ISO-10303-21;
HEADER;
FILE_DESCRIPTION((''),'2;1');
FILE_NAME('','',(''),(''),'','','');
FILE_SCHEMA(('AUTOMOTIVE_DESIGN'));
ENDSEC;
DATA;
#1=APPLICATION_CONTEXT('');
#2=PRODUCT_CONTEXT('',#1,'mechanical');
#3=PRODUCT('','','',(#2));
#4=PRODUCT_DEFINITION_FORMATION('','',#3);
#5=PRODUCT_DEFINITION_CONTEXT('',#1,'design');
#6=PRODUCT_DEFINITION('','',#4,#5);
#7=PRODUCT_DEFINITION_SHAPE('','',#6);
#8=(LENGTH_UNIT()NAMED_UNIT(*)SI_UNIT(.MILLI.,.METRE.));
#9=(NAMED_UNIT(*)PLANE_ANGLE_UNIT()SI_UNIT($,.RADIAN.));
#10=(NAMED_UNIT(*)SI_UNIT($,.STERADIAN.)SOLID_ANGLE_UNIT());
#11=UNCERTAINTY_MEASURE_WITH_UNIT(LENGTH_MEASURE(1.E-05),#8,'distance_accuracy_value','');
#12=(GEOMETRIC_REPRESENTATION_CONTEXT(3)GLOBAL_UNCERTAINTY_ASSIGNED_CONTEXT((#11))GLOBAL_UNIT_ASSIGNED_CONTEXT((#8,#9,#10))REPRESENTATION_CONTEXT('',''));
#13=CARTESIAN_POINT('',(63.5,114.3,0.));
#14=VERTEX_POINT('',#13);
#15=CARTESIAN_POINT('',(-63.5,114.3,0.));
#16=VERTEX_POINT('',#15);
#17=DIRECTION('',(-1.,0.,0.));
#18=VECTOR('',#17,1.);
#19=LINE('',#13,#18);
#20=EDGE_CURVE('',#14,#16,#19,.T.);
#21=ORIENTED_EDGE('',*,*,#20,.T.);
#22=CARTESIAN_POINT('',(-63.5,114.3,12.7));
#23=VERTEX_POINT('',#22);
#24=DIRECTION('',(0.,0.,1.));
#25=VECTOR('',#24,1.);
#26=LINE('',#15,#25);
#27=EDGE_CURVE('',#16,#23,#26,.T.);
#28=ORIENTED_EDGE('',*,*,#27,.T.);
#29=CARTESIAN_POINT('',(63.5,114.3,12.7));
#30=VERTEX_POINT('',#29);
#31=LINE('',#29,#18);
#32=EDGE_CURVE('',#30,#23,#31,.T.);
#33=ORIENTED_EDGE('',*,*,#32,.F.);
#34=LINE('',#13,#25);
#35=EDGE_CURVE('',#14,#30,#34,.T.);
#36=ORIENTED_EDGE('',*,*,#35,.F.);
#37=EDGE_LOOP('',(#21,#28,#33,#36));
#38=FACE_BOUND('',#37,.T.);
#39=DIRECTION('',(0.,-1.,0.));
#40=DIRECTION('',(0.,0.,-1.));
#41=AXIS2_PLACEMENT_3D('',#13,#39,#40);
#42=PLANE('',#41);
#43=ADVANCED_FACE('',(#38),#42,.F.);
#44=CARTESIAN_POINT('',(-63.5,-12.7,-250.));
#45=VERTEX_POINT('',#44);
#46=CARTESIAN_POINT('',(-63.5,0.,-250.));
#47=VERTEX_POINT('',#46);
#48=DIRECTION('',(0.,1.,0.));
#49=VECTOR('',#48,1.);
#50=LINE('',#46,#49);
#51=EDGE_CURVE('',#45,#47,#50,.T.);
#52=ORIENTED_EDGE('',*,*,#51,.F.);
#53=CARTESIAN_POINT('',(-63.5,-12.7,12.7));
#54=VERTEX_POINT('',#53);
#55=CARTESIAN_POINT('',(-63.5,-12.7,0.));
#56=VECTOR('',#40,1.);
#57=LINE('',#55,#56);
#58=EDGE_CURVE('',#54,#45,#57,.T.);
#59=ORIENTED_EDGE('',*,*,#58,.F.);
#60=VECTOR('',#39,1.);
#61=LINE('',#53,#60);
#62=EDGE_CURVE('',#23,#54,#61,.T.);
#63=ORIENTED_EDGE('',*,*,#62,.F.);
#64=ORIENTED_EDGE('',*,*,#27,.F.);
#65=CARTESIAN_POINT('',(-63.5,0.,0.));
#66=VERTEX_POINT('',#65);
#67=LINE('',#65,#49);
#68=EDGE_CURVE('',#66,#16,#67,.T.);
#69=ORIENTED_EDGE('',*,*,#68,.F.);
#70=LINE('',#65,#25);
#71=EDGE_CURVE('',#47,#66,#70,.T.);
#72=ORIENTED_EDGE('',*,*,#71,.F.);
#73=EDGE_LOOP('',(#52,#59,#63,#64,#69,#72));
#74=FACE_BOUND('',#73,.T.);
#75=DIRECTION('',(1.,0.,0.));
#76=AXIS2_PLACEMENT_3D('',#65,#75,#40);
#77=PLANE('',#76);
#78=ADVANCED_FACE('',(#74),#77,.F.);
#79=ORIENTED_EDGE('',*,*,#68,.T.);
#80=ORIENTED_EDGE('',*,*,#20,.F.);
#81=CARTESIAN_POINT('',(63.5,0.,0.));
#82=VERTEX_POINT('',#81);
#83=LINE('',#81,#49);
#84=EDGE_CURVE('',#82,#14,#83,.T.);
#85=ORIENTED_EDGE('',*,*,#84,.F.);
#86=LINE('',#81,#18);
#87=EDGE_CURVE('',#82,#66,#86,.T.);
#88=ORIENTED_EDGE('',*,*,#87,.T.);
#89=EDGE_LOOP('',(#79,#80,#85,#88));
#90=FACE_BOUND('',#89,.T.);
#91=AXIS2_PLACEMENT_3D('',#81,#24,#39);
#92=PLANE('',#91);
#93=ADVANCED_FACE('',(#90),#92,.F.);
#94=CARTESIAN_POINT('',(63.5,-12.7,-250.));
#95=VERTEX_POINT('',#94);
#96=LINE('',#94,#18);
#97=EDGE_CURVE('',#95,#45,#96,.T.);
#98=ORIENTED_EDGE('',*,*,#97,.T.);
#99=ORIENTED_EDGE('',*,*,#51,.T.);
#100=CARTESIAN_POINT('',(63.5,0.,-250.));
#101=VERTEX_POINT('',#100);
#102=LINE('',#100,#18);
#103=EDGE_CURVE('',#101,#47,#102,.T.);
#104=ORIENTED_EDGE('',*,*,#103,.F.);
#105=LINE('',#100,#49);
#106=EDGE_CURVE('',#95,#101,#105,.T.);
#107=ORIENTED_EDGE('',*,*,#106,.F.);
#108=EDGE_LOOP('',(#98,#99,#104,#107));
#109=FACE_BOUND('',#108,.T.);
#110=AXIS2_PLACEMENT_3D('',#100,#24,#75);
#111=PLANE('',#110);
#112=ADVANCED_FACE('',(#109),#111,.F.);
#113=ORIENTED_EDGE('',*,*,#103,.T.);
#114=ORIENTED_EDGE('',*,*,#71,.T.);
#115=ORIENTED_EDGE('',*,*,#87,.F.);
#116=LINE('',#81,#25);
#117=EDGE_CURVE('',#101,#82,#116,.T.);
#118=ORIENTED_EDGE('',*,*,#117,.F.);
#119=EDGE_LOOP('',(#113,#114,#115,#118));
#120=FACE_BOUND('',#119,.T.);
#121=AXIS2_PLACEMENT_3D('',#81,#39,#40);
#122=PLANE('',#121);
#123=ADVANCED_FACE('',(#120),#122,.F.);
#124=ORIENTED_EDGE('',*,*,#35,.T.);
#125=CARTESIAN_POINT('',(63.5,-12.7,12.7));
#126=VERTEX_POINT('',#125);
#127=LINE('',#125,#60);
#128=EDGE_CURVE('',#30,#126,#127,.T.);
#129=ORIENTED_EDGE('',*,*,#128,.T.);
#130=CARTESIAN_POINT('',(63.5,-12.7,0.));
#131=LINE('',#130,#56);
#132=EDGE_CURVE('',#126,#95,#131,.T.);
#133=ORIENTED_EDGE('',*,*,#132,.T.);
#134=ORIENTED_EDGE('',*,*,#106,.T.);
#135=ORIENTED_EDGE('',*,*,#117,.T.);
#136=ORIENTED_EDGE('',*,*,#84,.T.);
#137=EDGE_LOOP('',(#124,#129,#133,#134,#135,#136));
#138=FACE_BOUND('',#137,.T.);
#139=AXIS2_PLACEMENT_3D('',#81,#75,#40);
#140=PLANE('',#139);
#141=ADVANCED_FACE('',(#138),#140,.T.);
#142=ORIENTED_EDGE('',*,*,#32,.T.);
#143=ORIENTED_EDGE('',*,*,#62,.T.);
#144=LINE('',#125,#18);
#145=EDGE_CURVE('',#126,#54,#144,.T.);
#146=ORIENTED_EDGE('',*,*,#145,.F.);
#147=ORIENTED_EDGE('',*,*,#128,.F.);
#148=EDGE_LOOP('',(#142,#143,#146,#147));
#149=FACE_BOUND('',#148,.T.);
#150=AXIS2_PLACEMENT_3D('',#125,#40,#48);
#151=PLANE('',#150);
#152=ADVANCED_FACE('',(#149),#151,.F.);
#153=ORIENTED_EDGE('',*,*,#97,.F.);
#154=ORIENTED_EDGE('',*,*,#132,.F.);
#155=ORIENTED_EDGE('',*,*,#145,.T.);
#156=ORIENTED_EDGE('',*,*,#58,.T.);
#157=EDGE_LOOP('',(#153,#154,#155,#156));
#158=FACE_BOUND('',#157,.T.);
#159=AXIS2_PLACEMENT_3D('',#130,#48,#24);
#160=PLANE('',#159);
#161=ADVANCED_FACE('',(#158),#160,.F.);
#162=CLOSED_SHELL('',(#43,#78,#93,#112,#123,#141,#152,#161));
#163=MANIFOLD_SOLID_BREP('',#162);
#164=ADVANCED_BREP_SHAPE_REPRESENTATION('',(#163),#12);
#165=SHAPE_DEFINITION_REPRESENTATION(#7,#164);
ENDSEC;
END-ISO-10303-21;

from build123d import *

# Parameters (mm, degrees)
BOSS_EXTRUDE1_DEPTH = 63.5


with BuildPart() as part:
    # Sketch1 → Boss-Extrude1 (new, symmetric)
    with BuildSketch(Plane(origin=(0, 0, 0), x_dir=(0, 0, -1), z_dir=(1, 0, 0))):
        Polygon((0, 0), (250, 0), (250, -12.7), (0, -12.7), (-12.7, -12.7), (-12.7, 114.3), (0, 114.3), align=None)
    extrude(amount=BOSS_EXTRUDE1_DEPTH, both=True)


solid = part.part
